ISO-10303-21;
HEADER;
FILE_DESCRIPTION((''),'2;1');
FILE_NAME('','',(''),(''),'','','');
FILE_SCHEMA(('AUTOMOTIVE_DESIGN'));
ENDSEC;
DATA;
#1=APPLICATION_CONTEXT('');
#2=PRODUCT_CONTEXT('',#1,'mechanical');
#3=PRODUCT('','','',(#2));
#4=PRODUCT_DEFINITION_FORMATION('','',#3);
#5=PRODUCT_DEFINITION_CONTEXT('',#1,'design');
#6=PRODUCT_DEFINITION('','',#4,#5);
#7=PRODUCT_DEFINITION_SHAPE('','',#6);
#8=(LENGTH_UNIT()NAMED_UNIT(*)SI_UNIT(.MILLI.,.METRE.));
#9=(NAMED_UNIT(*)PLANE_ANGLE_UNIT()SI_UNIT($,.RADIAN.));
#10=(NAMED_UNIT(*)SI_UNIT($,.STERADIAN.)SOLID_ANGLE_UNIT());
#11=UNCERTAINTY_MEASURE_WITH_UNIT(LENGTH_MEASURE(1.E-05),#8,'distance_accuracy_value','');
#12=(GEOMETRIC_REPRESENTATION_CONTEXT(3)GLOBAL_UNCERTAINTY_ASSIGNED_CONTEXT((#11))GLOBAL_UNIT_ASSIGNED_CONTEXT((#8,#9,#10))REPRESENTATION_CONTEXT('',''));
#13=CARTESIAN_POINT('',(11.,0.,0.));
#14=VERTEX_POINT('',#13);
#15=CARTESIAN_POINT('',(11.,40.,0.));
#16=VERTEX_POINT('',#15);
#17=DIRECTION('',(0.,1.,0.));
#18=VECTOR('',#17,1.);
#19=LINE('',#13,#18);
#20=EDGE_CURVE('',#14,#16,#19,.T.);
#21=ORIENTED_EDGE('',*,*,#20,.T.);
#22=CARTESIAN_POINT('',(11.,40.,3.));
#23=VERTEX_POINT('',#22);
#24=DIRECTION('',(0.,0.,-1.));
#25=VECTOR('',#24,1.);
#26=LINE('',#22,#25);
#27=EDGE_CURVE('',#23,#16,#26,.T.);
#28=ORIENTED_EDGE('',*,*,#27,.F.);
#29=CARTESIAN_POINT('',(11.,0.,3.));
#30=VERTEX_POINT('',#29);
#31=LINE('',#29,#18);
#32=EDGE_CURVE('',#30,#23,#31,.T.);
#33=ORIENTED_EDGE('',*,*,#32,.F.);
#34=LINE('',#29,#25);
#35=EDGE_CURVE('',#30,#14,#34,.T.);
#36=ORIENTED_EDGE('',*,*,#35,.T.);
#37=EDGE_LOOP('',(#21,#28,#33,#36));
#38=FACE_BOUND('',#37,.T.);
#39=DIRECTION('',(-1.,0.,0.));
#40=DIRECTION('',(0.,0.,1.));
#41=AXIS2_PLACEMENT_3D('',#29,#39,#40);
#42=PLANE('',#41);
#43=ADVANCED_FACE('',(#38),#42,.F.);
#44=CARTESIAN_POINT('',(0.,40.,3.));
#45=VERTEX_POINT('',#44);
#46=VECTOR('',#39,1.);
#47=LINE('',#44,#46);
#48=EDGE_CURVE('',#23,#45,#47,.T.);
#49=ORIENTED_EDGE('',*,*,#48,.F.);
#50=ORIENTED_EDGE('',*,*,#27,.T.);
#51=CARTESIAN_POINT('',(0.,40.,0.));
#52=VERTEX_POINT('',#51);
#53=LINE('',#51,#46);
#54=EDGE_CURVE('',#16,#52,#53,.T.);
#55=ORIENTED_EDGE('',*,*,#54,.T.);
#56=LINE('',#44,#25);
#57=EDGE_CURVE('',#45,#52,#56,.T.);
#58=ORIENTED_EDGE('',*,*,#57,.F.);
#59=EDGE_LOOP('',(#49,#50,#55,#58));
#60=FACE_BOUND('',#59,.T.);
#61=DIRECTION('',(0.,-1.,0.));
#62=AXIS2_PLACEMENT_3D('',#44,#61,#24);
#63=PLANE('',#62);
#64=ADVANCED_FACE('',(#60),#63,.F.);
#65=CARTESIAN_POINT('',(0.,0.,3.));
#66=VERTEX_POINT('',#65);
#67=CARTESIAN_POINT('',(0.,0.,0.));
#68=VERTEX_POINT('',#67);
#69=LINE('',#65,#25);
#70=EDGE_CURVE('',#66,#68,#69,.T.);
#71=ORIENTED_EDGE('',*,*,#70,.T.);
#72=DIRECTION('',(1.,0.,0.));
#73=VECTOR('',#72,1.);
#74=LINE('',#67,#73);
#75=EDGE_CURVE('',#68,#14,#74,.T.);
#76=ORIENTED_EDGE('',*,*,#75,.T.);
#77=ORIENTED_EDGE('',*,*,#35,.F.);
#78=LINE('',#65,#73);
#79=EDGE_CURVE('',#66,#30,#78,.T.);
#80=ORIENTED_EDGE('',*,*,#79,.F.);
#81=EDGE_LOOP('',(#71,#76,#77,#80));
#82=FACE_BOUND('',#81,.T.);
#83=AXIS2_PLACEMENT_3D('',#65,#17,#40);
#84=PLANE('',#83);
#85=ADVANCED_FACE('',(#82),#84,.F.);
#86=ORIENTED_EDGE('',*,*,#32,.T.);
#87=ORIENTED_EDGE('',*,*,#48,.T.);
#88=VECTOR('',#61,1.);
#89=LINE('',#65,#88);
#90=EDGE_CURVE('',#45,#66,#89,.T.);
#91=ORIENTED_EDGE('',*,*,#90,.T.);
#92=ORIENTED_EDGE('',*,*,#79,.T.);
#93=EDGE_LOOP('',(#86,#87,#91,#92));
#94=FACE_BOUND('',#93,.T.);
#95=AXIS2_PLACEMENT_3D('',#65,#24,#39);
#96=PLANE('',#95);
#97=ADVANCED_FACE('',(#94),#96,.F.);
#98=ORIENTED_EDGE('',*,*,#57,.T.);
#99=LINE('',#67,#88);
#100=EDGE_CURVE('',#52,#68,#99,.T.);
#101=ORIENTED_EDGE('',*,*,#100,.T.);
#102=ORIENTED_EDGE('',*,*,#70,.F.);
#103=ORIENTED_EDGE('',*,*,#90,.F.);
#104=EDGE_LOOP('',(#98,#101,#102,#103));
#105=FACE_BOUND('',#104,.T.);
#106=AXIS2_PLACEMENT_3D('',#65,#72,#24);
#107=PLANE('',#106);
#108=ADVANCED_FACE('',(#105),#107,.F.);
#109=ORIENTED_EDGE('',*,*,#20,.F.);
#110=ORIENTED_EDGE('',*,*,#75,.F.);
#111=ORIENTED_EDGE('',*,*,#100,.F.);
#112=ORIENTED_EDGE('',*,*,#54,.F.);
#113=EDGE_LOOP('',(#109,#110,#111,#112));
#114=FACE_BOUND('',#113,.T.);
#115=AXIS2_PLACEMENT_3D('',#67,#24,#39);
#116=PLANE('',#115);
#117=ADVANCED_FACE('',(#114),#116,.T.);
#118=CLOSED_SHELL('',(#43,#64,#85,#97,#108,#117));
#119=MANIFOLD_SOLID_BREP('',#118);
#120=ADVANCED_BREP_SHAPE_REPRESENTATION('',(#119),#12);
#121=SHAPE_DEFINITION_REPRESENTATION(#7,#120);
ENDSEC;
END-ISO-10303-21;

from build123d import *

# Parameters (mm, degrees)
SKETCH1_W           = 11
SKETCH1_H           = 40
BOSS_EXTRUDE1_DEPTH = 3


with BuildPart() as part:
    # Sketch1 → Boss-Extrude1 (new body)
    with BuildSketch(Plane.XY):
        with Locations((5.5, 20)):
            Rectangle(SKETCH1_W, SKETCH1_H)
    extrude(amount=BOSS_EXTRUDE1_DEPTH)


solid = part.part
